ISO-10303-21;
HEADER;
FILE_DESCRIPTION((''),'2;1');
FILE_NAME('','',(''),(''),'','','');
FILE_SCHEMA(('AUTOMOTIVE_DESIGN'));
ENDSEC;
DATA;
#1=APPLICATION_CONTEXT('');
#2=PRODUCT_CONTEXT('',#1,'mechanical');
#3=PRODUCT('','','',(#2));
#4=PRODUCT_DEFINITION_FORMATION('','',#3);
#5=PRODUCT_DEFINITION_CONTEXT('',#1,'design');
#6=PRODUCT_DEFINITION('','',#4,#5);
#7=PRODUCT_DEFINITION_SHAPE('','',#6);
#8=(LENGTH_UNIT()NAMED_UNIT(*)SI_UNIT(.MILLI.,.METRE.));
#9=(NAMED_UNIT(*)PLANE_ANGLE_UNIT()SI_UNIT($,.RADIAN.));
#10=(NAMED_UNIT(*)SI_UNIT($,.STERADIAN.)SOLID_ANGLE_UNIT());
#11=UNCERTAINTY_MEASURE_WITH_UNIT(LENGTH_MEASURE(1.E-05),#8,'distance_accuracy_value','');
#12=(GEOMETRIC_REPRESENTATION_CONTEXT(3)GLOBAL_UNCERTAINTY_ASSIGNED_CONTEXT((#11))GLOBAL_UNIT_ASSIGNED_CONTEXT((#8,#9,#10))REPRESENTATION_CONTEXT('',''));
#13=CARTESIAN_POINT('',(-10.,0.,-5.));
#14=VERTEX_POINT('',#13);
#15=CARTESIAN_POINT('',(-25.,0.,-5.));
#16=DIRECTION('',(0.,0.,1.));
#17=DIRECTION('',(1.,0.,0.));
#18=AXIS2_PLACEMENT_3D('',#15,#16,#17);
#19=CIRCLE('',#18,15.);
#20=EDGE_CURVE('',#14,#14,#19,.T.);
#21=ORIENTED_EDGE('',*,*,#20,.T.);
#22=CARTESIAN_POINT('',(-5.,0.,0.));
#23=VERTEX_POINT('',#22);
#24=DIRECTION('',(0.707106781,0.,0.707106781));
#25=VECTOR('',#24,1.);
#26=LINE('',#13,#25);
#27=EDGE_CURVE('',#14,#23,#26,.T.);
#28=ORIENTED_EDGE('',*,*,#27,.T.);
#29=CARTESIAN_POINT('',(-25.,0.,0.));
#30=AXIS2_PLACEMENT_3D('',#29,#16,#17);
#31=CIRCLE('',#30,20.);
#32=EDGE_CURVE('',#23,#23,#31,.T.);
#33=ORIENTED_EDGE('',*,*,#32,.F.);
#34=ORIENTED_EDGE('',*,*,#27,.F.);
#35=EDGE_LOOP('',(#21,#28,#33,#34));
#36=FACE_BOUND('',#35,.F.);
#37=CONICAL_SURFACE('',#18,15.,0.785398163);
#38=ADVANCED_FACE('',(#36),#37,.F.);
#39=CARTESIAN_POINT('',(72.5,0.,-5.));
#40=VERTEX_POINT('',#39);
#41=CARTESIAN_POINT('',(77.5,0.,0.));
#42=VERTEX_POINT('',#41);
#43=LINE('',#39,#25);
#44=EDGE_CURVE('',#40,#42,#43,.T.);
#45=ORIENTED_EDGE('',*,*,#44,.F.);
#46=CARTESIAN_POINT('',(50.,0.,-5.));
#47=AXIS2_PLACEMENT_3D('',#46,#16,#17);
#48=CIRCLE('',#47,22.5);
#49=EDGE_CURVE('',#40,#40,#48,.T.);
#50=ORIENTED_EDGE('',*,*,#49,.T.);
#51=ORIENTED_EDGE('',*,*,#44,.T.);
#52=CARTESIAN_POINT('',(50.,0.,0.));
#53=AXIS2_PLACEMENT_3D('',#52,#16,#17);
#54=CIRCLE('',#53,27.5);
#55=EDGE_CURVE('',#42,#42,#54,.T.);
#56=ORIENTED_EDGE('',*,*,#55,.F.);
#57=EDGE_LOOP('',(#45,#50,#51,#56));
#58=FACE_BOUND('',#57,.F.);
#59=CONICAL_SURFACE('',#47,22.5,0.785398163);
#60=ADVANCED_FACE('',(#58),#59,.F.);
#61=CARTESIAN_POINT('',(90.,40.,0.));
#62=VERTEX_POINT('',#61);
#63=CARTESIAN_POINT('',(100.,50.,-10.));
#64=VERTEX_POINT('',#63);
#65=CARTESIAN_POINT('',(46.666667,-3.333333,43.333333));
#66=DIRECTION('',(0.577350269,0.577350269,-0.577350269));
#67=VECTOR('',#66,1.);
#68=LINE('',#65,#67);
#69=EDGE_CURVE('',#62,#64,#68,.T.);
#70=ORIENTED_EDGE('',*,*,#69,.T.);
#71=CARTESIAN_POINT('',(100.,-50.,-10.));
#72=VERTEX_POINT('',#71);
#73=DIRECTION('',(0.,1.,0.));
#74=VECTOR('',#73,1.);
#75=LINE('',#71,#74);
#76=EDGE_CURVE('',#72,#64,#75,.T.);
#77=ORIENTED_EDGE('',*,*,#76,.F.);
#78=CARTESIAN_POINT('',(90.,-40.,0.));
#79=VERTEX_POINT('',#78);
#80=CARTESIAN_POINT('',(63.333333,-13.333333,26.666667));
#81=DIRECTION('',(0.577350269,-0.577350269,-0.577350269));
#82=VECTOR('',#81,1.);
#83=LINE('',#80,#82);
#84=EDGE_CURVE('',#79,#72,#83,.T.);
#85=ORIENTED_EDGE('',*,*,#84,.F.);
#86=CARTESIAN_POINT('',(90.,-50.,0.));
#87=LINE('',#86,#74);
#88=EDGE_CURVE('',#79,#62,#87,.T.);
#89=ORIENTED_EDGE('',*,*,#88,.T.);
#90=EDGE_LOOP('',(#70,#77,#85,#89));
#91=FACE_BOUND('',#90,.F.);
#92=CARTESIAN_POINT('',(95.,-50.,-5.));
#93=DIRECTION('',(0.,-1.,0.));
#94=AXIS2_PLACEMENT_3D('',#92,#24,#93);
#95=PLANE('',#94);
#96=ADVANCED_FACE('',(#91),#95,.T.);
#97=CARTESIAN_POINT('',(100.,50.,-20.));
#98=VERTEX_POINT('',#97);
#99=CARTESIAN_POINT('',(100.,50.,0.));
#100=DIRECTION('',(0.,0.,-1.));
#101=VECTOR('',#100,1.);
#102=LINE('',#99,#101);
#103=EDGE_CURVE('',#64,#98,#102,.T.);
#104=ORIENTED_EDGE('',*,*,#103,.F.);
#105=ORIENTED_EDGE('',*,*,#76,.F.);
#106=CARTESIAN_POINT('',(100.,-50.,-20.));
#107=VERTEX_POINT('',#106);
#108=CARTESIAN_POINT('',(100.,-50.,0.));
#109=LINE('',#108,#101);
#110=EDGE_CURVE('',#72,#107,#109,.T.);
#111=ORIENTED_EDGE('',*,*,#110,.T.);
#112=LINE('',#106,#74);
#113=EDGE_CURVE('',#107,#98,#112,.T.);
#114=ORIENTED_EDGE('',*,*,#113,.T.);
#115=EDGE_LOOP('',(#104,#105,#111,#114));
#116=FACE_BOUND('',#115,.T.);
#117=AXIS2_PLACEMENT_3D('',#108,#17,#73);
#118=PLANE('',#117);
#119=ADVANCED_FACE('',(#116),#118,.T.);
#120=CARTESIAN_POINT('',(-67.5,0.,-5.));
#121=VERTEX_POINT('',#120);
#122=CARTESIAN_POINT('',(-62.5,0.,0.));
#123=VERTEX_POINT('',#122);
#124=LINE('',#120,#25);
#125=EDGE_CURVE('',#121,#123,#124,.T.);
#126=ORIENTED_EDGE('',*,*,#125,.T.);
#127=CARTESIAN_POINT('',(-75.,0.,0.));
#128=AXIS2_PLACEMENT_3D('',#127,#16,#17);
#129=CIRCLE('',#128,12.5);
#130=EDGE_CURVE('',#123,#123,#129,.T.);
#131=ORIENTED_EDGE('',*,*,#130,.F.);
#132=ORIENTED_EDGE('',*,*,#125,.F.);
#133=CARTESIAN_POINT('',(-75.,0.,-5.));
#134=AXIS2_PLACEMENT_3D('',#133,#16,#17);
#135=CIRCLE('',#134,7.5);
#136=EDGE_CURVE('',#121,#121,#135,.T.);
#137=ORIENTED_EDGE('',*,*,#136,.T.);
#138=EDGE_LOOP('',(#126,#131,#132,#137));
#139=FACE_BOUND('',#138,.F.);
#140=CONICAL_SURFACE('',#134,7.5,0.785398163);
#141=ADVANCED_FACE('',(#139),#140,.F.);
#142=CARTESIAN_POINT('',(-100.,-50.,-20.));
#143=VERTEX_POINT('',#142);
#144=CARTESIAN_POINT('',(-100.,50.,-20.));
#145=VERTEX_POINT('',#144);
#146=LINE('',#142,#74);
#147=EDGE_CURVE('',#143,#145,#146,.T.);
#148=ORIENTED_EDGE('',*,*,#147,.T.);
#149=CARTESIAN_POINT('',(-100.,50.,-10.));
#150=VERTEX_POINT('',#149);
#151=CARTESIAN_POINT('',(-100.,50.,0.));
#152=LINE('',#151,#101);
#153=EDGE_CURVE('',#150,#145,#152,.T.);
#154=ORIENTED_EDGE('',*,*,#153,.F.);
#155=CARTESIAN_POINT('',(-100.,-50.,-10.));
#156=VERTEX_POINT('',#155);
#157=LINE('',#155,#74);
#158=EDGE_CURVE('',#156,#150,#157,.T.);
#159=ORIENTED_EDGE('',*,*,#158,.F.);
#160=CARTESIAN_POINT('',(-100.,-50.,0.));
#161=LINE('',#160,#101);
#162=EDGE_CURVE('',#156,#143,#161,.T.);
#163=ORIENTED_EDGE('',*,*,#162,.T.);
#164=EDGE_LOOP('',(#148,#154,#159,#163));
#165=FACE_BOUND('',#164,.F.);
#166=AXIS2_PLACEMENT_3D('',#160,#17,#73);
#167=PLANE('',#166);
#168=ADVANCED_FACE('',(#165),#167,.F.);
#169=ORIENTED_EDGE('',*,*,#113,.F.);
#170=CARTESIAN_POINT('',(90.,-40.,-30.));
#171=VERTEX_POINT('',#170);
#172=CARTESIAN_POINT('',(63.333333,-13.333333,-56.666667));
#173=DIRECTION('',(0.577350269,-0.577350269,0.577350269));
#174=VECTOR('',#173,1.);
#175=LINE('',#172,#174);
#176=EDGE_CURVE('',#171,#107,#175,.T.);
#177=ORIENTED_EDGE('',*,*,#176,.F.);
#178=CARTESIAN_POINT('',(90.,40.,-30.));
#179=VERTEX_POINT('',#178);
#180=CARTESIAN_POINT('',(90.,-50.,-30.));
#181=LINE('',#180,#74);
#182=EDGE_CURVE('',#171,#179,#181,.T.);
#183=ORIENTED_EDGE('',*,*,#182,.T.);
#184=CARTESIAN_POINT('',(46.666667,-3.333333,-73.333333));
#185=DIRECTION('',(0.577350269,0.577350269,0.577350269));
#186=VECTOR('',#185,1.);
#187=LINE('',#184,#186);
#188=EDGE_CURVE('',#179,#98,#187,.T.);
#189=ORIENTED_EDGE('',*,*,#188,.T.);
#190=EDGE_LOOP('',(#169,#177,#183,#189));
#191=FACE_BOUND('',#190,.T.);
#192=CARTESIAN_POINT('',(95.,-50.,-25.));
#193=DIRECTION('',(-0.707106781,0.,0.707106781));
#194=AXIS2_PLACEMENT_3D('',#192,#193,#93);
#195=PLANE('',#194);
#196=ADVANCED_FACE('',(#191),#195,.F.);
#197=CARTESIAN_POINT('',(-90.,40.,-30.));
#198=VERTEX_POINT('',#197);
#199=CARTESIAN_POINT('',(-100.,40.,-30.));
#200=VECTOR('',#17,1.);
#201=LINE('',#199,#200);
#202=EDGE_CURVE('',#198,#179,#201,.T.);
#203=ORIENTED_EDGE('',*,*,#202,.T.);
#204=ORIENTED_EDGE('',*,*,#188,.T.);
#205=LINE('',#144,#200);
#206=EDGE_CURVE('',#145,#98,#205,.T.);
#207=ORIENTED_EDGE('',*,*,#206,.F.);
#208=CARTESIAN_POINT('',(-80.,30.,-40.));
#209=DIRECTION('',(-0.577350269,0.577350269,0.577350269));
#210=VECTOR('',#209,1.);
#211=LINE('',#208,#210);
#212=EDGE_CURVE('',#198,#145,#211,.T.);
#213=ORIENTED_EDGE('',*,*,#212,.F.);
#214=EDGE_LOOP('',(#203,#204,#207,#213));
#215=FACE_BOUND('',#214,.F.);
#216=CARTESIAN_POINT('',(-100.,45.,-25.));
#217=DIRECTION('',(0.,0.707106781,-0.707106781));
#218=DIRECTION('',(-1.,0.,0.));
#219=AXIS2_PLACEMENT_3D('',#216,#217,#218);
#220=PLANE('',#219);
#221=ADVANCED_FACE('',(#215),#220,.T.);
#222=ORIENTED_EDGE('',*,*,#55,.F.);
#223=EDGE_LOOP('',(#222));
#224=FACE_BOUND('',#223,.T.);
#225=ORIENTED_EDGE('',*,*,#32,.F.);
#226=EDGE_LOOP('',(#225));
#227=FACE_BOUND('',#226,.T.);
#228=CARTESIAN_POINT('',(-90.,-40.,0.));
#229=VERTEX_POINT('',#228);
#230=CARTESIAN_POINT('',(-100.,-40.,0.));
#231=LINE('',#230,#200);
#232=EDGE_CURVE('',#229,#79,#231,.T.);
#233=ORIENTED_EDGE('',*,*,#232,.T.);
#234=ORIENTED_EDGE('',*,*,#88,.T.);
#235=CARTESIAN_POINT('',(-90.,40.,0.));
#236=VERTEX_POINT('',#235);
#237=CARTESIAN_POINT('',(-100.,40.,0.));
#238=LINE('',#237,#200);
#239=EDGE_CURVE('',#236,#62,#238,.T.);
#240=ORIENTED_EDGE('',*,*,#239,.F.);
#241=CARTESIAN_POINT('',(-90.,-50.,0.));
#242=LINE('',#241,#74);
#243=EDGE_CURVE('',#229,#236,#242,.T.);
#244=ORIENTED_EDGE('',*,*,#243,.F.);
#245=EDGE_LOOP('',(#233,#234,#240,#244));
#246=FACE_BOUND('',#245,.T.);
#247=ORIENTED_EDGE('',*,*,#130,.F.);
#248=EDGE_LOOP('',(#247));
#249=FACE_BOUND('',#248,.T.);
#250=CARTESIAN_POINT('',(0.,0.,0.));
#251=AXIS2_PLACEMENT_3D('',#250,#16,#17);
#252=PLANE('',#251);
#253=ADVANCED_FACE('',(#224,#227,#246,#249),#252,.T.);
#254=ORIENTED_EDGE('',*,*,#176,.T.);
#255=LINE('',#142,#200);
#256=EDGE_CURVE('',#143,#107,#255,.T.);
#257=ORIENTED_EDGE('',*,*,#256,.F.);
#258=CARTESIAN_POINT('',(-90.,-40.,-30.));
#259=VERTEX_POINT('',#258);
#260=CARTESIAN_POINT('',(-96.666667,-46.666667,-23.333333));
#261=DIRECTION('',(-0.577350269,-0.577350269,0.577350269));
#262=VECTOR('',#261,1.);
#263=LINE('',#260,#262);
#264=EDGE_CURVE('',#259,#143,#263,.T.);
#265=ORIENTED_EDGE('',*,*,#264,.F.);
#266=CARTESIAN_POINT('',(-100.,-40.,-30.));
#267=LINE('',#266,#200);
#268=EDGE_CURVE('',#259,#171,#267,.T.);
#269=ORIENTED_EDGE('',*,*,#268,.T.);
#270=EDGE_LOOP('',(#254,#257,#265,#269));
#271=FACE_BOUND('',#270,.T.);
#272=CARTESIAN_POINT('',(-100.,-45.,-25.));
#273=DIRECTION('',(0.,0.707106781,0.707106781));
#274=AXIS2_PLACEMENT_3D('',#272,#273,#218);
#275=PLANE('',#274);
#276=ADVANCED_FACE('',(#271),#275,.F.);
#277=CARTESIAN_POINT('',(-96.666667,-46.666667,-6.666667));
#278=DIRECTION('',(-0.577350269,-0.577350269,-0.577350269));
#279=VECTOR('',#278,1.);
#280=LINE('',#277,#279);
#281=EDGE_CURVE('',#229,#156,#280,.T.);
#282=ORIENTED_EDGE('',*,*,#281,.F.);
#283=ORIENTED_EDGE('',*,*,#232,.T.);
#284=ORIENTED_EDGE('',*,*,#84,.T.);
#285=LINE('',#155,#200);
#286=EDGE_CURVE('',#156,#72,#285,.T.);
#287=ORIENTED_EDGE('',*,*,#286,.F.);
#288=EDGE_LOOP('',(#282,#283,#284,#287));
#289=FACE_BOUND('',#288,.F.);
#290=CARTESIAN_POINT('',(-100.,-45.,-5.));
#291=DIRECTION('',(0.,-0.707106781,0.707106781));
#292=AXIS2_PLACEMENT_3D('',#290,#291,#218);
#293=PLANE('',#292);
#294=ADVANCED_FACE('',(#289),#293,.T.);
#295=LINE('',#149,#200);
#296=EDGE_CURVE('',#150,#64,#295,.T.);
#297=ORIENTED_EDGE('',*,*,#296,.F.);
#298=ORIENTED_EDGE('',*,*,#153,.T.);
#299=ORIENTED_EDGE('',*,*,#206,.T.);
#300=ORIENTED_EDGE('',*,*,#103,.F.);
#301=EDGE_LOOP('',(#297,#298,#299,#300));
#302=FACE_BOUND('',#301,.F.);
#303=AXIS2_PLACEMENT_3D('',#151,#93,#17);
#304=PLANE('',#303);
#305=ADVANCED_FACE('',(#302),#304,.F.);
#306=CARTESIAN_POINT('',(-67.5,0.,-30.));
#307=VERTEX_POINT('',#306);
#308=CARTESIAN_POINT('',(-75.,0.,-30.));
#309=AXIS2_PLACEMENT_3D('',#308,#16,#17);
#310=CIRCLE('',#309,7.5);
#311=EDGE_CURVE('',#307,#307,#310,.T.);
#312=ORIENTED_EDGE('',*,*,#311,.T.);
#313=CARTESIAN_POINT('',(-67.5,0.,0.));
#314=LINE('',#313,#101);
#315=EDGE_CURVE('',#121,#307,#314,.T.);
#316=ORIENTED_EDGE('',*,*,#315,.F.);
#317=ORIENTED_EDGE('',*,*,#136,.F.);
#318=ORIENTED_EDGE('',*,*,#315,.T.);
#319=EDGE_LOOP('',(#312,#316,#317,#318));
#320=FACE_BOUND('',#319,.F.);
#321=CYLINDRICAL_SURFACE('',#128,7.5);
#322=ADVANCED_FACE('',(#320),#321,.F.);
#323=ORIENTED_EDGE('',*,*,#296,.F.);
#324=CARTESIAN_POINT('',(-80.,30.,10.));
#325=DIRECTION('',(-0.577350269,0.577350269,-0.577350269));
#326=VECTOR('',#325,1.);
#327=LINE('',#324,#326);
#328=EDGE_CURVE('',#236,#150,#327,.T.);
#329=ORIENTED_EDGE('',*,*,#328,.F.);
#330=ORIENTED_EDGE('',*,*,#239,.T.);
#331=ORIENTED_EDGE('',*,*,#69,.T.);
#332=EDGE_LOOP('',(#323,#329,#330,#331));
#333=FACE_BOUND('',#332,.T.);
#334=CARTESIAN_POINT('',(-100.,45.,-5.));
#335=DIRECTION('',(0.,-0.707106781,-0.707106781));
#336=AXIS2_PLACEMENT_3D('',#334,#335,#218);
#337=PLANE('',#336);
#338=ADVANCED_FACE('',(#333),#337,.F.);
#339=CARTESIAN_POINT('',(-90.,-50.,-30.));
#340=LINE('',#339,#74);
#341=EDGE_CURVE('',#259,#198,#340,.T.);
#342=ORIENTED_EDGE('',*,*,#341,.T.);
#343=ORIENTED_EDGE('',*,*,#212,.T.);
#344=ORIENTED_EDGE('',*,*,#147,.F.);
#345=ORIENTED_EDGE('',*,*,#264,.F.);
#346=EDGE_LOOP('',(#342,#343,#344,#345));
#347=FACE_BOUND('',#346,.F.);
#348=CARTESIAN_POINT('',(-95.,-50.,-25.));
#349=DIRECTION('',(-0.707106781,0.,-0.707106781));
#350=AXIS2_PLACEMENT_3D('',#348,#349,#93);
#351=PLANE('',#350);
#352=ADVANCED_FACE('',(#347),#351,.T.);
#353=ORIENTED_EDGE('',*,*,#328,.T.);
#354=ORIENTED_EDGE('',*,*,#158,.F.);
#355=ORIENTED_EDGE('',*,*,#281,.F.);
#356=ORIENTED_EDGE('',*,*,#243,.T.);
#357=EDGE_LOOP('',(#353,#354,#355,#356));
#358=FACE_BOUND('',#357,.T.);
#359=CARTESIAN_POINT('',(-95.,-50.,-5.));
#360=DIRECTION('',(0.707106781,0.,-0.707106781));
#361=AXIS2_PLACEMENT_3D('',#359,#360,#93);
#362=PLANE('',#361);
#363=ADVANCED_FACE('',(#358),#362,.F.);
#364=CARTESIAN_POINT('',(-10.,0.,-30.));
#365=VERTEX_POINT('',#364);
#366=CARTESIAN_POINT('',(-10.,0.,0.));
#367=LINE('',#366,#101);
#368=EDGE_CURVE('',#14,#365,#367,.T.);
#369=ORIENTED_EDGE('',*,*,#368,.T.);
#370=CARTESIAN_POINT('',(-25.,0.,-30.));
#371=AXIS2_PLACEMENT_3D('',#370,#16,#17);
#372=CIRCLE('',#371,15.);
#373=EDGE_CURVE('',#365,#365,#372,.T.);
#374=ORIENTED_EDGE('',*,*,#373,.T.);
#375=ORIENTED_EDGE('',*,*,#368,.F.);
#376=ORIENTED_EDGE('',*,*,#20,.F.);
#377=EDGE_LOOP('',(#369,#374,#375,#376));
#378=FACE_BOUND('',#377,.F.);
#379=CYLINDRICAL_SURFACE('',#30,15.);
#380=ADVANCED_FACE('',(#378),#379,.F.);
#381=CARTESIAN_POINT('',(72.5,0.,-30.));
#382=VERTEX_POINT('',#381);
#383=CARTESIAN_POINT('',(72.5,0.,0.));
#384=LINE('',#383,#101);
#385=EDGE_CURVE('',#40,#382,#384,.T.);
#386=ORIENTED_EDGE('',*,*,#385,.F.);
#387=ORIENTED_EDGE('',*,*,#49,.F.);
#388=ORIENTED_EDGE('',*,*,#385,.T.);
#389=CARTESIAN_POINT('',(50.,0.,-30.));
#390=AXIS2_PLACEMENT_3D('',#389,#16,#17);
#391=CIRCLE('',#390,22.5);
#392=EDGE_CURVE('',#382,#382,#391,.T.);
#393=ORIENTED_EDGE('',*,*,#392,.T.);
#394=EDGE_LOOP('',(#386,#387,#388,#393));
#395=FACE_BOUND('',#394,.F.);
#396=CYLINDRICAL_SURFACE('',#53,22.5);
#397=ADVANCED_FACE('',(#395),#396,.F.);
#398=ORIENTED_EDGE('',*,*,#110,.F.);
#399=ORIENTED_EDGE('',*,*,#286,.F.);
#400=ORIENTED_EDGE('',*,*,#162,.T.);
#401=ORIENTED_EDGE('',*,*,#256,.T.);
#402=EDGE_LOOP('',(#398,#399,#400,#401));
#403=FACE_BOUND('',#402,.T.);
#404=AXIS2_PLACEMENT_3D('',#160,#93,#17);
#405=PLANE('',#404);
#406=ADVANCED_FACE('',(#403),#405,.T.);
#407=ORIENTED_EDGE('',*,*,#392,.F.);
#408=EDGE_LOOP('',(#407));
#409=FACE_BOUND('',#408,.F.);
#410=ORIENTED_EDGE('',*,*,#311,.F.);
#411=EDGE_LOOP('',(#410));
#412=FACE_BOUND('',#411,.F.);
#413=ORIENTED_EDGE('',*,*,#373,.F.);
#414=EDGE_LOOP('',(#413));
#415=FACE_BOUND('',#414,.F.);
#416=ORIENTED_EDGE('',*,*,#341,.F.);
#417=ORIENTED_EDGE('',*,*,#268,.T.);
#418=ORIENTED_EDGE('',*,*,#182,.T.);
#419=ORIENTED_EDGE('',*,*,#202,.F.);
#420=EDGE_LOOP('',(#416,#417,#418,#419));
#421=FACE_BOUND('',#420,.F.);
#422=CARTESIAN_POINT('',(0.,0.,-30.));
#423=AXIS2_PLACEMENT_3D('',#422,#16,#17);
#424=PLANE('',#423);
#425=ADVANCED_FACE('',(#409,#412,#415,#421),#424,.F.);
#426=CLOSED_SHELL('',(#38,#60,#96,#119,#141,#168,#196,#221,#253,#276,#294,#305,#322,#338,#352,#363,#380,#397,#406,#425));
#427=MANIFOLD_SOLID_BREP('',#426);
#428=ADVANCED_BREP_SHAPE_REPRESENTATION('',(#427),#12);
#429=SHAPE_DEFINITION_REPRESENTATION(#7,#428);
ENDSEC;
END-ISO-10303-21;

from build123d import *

# Parameters (mm, degrees)
F0_W     = 200
F0_H     = 100
F0_R     = 7.5
F0_R_2   = 15
F0_R_3   = 22.5
F1_DEPTH = 30
F2_SIZE2 = 5
F2_SIZE  = 5
F3_SIZE2 = 10
F3_SIZE  = 10


with BuildPart() as f1:
    # F0 (on Top) → F1 (new body)
    with BuildSketch(Plane.XY):
        Rectangle(F0_W, F0_H)
        with Locations((-75, 0)):
            Circle(F0_R, mode=Mode.SUBTRACT)
        with Locations((-25, 0)):
            Circle(F0_R_2, mode=Mode.SUBTRACT)
        with Locations((50, 0)):
            Circle(F0_R_3, mode=Mode.SUBTRACT)
    extrude(amount=-F1_DEPTH)

    # F2
    f2_edges = [f1.edges().sort_by_distance(p)[0] for p in [
        (-82.5, 0, 0),
        (-40, 0, 0),
        (27.5, 0, 0),
    ]]
    chamfer(f2_edges, length=F2_SIZE, length2=F2_SIZE2)

    # F3
    f3_edges = [f1.edges().sort_by_distance(p)[0] for p in [
        (0, -50, 0),
        (100, 0, 0),
        (100, 0, -30),
        (0, -50, -30),
        (0, 50, 0),
        (0, 50, -30),
        (-100, 0, -30),
        (-100, 0, 0),
    ]]
    chamfer(f3_edges, length=F3_SIZE, length2=F3_SIZE2)


solid = f1.part
